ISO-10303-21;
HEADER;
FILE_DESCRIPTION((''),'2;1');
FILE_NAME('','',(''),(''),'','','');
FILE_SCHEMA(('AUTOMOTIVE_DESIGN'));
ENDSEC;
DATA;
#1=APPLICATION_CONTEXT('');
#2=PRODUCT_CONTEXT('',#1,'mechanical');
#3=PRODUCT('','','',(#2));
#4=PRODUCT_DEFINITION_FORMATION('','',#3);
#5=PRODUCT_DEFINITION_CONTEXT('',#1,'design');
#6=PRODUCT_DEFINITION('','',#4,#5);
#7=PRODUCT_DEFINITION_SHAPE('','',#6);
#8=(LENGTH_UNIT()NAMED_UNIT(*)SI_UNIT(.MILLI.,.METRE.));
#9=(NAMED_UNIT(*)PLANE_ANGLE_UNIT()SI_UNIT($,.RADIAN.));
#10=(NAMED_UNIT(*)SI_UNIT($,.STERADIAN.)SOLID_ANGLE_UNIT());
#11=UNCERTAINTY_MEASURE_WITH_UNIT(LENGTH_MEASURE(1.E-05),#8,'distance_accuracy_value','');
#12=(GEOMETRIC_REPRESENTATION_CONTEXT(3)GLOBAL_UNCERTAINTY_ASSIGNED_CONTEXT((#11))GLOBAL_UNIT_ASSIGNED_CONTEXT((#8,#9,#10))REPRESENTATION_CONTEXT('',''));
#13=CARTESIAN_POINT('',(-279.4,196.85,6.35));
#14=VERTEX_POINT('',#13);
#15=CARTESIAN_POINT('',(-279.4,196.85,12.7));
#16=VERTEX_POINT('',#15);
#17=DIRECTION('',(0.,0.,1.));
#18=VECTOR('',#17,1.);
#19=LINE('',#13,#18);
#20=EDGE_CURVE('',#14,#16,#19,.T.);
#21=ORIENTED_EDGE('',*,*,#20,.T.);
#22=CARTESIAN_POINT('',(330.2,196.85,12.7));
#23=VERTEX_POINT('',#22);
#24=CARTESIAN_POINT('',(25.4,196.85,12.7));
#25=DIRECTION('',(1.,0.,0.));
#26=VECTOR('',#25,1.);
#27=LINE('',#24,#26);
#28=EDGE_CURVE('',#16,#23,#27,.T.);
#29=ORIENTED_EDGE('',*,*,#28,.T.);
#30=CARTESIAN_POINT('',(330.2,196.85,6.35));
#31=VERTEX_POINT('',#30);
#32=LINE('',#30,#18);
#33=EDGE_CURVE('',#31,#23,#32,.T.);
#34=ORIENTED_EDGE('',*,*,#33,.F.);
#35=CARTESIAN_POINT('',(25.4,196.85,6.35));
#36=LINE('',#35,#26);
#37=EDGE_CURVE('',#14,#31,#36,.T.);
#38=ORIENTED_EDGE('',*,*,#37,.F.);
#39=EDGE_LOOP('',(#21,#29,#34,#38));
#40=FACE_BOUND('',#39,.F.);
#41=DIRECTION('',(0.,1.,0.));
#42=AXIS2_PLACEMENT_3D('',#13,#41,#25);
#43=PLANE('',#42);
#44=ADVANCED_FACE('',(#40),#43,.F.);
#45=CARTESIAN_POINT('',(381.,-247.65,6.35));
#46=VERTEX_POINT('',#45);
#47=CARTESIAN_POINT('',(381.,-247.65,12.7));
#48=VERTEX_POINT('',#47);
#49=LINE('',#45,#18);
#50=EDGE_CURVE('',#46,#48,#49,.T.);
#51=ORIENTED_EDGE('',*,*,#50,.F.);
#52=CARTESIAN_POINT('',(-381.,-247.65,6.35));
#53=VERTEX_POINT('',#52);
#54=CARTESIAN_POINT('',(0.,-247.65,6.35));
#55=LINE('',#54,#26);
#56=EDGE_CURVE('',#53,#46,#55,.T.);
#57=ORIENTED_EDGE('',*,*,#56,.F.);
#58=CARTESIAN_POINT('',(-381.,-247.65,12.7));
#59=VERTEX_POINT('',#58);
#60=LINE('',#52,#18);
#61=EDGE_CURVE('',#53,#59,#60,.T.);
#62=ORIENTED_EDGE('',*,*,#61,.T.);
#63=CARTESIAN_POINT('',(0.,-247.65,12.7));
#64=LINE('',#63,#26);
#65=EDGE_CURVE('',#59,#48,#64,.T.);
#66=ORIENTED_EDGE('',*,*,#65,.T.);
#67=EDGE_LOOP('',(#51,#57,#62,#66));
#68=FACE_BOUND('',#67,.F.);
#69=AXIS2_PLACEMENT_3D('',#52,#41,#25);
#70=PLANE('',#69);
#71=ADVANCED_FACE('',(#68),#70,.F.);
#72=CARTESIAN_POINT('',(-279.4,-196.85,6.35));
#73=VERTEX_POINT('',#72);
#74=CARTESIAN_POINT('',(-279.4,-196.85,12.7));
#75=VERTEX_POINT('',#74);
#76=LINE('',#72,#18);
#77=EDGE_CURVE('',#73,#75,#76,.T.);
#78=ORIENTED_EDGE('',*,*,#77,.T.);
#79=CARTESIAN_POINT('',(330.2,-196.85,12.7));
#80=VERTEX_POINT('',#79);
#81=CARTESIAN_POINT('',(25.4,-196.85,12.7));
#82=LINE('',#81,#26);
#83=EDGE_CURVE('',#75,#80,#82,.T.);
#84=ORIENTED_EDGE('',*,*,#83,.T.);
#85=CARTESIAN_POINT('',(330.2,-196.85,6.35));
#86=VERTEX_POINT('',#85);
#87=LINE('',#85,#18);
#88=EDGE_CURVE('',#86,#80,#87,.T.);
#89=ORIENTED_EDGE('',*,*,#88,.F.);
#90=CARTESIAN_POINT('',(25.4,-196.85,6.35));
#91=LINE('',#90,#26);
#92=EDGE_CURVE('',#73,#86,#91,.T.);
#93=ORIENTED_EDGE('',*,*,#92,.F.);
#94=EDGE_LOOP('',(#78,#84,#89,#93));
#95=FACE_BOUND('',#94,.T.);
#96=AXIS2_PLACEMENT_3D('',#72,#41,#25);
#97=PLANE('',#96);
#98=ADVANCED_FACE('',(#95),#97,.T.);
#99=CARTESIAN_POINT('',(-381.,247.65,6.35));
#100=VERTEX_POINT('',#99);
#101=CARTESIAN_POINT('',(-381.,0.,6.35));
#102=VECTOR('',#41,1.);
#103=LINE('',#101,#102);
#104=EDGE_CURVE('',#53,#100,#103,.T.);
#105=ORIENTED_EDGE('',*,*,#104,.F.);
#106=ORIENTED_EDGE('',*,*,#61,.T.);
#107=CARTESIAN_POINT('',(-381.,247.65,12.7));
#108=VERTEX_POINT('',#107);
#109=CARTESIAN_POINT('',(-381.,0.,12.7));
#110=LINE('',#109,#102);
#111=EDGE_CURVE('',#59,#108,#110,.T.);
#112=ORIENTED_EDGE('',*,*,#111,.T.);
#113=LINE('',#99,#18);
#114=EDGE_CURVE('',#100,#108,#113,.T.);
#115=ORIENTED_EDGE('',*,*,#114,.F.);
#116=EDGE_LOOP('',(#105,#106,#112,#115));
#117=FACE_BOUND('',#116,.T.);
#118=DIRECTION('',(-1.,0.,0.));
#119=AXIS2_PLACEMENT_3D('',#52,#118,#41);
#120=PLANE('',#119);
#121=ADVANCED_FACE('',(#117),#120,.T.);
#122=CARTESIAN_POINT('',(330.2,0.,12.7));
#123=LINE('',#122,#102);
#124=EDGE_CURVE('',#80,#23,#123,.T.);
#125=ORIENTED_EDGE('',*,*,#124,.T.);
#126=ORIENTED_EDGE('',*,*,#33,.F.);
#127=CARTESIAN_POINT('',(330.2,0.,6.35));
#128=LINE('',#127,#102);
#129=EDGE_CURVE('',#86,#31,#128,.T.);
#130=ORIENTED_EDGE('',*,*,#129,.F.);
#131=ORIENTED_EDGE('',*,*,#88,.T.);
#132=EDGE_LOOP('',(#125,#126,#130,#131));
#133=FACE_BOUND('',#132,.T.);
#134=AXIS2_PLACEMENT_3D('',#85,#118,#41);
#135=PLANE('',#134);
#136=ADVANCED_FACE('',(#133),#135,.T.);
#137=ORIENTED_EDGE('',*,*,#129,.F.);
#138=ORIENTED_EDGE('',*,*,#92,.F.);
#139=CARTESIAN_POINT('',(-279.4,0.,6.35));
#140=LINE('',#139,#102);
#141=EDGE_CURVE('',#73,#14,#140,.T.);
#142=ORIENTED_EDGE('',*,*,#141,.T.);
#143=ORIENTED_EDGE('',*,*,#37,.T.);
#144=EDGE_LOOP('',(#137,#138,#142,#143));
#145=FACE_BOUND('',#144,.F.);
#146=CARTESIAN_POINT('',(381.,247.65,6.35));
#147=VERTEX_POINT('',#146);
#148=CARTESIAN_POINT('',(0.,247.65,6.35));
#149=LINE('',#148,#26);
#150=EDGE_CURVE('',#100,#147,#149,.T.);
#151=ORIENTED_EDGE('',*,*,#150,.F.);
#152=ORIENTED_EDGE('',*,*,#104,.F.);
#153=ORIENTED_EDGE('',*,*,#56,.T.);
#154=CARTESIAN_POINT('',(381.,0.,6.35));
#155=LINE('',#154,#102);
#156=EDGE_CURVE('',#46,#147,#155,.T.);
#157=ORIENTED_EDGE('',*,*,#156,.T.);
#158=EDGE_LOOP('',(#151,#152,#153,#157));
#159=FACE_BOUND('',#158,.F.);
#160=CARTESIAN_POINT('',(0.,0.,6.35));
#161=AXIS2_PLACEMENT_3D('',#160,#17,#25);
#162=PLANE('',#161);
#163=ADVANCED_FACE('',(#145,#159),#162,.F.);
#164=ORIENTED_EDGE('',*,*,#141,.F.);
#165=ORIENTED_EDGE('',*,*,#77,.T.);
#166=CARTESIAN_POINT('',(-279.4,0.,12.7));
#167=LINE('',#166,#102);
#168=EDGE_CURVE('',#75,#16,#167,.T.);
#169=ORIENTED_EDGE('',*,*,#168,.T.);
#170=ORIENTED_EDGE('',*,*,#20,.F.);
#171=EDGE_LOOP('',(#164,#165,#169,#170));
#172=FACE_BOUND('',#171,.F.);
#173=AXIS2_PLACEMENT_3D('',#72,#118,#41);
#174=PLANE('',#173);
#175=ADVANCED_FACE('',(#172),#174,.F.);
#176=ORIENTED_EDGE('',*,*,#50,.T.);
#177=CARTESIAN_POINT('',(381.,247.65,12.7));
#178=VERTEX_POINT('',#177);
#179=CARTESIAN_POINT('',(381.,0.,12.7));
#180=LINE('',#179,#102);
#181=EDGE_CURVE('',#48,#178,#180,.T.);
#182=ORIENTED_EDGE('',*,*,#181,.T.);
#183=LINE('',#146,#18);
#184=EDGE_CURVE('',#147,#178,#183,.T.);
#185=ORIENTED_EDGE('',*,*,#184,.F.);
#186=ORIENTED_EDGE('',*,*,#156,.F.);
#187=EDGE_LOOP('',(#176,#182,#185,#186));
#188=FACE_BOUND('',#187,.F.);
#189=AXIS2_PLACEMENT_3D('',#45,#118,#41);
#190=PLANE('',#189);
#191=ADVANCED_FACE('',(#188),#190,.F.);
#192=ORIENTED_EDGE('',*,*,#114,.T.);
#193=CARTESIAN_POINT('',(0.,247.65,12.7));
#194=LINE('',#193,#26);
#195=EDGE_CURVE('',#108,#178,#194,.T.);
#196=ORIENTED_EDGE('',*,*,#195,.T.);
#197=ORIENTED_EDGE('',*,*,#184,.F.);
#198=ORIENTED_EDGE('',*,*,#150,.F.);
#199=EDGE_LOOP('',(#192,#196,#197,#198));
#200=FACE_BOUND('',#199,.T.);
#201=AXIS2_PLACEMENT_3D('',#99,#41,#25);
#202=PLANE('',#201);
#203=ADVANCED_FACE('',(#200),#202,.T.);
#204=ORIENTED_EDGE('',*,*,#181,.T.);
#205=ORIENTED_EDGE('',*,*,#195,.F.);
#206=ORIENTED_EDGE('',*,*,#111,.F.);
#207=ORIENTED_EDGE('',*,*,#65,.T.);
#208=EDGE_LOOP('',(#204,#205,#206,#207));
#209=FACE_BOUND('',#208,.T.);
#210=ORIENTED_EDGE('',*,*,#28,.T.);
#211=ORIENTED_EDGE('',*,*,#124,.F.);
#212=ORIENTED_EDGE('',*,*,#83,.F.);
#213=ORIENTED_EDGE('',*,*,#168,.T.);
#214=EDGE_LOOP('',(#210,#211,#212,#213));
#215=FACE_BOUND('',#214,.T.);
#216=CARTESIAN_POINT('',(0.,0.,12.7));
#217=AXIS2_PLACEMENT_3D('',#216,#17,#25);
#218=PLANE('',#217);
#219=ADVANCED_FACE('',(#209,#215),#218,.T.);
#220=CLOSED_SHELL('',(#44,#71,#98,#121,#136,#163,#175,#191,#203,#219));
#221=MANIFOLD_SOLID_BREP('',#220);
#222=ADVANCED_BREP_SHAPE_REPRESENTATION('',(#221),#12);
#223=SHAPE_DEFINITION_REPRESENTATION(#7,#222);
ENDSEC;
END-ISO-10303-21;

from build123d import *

# Parameters (mm, degrees)
SKETCH_W   = 762
SKETCH_H   = 495.3
SKETCH_W_2 = 609.6
SKETCH_H_2 = 393.7
PAD_DEPTH  = 6.35


with BuildPart() as part:
    # Sketch → Pad (new body)
    with BuildSketch(Plane.XY.offset(6.35)):
        Rectangle(SKETCH_W, SKETCH_H)
        with Locations((25.4, 0)):
            Rectangle(SKETCH_W_2, SKETCH_H_2, mode=Mode.SUBTRACT)
    extrude(amount=PAD_DEPTH)


solid = part.part
